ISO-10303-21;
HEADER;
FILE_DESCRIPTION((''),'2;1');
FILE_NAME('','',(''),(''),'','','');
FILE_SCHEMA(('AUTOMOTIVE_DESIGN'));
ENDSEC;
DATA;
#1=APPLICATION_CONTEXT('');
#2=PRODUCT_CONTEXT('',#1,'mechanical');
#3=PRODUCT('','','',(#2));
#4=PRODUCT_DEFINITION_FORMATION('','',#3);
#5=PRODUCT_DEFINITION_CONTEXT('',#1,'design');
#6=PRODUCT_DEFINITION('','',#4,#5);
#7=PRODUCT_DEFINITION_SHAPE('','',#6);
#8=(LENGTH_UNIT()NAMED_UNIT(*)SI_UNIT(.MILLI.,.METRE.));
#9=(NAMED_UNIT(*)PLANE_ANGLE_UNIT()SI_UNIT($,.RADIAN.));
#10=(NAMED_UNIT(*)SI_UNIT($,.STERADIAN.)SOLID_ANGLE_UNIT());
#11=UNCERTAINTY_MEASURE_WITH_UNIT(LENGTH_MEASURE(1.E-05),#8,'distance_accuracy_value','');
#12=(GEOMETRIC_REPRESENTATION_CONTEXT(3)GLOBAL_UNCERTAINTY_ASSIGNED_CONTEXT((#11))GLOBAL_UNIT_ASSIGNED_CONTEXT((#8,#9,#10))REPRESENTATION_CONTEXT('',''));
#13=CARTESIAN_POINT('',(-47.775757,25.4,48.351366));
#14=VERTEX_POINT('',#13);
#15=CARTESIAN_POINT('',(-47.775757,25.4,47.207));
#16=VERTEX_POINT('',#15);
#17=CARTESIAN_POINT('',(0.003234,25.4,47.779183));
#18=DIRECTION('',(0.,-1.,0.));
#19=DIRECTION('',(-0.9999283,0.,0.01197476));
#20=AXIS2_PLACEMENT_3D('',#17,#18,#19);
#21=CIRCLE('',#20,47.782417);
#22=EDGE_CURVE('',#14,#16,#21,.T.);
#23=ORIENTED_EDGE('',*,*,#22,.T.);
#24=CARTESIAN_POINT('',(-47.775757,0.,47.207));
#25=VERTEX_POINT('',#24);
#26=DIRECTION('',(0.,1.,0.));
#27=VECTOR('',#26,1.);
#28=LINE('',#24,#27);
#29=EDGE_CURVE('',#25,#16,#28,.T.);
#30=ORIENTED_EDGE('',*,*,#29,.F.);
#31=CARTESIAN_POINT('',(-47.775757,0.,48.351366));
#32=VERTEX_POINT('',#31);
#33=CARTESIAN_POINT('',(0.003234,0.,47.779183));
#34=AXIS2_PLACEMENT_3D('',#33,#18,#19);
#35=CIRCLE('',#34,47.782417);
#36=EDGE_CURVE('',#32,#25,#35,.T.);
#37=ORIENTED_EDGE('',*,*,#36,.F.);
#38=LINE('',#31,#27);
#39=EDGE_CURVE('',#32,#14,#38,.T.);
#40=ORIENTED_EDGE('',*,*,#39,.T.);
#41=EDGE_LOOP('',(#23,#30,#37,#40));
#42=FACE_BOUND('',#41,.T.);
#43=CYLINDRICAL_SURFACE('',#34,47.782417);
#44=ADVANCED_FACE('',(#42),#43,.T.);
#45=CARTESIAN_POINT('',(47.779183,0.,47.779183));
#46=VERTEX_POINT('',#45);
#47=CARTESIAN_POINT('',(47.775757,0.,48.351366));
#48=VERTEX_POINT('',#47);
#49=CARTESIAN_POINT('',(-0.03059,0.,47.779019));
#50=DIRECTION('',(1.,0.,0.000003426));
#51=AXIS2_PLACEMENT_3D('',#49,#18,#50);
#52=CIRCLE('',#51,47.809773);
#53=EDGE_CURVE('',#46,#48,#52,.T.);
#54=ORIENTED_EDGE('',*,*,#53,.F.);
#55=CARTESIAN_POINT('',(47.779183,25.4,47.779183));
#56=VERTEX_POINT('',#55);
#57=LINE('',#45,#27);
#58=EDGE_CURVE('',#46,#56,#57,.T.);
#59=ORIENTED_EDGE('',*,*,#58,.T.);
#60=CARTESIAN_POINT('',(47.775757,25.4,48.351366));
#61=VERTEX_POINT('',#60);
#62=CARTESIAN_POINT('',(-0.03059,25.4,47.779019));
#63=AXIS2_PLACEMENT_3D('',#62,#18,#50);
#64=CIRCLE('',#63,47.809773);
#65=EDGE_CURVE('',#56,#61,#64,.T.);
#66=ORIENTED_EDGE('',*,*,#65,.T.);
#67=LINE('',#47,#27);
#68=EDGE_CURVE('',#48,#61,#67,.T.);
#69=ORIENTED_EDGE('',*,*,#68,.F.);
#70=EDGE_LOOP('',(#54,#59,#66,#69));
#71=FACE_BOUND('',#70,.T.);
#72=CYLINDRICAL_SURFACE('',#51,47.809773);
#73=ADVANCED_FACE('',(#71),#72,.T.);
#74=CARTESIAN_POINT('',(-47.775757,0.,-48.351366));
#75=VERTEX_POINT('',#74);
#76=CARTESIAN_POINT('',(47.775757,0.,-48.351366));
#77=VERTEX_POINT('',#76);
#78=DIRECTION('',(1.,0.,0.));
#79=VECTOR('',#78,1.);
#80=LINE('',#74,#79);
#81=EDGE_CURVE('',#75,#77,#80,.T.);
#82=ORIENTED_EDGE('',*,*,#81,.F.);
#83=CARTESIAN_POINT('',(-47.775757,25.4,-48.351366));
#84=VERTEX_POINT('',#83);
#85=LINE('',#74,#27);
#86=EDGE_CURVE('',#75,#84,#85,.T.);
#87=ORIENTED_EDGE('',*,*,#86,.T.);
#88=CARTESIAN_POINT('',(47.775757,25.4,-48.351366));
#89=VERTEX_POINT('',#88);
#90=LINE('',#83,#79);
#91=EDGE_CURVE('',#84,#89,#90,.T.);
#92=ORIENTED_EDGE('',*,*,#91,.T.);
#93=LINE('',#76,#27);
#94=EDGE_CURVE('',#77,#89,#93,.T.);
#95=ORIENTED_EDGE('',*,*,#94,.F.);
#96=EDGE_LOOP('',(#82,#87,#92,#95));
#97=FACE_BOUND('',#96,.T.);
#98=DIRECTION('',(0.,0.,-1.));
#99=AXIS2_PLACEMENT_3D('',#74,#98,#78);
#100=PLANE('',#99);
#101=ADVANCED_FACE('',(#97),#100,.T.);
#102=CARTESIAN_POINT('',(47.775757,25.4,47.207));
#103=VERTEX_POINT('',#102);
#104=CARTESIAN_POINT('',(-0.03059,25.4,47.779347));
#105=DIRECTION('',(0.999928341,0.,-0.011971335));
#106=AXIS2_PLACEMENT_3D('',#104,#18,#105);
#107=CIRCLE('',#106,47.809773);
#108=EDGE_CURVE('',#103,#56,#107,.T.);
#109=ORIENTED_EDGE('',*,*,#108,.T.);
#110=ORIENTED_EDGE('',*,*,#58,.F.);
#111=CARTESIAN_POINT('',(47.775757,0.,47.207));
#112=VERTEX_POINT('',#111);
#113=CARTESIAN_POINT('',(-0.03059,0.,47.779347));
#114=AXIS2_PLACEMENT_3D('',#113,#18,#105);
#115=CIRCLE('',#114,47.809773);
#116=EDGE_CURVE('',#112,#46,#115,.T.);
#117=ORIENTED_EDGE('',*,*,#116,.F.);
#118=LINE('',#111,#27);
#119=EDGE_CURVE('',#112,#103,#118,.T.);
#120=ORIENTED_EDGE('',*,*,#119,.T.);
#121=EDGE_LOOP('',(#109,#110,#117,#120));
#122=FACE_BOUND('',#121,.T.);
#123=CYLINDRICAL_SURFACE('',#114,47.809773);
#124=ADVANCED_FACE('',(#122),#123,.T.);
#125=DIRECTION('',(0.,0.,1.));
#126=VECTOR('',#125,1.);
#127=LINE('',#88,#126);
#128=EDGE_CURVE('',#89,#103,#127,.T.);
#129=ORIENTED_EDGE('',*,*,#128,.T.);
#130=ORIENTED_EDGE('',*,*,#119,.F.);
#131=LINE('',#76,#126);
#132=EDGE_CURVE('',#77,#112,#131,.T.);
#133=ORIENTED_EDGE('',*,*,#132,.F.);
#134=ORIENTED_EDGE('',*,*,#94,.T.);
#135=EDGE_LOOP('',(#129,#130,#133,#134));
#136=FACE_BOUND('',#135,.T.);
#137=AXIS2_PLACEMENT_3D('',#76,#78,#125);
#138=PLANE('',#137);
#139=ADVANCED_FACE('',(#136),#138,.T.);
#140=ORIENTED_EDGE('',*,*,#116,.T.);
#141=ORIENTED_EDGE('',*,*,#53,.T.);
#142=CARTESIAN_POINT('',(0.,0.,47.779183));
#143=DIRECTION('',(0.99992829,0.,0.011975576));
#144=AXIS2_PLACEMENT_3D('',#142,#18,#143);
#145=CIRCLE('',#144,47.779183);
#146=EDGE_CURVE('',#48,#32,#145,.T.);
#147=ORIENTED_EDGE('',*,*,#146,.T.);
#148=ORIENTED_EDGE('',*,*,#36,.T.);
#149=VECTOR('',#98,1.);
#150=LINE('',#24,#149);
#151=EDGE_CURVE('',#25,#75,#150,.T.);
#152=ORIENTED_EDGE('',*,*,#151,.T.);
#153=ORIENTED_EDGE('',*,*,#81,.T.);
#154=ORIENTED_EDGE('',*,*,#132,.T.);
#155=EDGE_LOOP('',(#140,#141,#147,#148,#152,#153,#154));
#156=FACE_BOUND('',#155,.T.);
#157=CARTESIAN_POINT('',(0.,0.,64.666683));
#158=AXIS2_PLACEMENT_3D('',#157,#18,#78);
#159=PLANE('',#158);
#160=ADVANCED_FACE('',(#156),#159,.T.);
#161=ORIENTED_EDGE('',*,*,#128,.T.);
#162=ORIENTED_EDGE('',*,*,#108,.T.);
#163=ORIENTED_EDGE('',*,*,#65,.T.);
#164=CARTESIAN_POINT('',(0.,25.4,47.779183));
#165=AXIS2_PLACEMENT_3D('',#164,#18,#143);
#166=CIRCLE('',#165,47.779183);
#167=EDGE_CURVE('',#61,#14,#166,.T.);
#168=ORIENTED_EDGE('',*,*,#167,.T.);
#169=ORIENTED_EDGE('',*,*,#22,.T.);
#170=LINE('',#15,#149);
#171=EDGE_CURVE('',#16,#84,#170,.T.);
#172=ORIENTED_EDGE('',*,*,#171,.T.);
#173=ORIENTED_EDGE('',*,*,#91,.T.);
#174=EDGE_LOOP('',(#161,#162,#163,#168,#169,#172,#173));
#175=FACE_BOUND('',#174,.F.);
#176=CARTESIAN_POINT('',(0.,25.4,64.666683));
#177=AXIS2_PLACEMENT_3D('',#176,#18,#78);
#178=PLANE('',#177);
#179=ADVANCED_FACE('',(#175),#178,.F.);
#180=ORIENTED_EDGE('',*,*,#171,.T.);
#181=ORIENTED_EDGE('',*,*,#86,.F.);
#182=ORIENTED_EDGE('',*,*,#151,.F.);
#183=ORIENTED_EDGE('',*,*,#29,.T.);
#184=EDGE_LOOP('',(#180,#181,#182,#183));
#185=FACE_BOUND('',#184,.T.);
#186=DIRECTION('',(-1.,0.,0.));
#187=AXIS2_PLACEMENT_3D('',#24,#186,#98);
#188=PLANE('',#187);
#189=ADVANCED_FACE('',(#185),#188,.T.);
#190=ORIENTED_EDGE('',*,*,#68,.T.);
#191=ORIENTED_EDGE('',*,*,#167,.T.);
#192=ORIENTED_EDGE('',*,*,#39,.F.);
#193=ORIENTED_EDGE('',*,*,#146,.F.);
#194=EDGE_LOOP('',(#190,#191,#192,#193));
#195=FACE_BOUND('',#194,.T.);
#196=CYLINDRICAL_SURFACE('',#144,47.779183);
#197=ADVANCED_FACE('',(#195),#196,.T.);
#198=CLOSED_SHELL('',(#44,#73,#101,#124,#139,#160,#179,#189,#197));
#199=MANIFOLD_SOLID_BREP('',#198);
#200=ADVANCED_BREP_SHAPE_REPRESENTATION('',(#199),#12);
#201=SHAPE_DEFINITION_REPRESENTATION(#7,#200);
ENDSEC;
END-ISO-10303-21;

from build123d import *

# Parameters (mm, degrees)
F1_DEPTH = 25.4


with BuildPart() as f1:
    # F0 (on Front) → F1 (new body)
    with BuildSketch(Plane.XZ):
        with BuildLine():
            ThreePointArc((47.775757, 48.351366), (0, 95.558366), (-47.775757, 48.351366))
            Line((-47.775757, 48.351366), (47.775757, 48.351366))
        make_face()
        with BuildLine():
            ThreePointArc((47.775757, 47.207), (0, 0), (-47.775757, 47.207))
            Line((-47.775757, 47.207), (-47.775757, -48.351366))
            Line((-47.775757, -48.351366), (47.775757, -48.351366))
            Line((47.775757, -48.351366), (47.775757, 47.207))
        make_face()
        with BuildLine():
            Line((-47.775757, 47.207), (-47.775757, 48.351366))
            ThreePointArc((-47.775757, 48.351366), (-47.779183, 47.779183), (-47.775757, 47.207))
        make_face()
        with BuildLine():
            ThreePointArc((47.779183, 47.779183), (47.778326, 48.06528), (47.775757, 48.351366))
            Line((47.775757, 48.351366), (47.775757, 47.207))
            ThreePointArc((47.775757, 47.207), (47.778326, 47.493086), (47.779183, 47.779183))
        make_face()
        with BuildLine():
            Line((47.775757, 48.351366), (-47.775757, 48.351366))
            Line((-47.775757, 48.351366), (-47.775757, 47.207))
            ThreePointArc((-47.775757, 47.207), (0, 0), (47.775757, 47.207))
            Line((47.775757, 47.207), (47.775757, 48.351366))
        make_face()
    extrude(amount=-F1_DEPTH)


solid = f1.part
